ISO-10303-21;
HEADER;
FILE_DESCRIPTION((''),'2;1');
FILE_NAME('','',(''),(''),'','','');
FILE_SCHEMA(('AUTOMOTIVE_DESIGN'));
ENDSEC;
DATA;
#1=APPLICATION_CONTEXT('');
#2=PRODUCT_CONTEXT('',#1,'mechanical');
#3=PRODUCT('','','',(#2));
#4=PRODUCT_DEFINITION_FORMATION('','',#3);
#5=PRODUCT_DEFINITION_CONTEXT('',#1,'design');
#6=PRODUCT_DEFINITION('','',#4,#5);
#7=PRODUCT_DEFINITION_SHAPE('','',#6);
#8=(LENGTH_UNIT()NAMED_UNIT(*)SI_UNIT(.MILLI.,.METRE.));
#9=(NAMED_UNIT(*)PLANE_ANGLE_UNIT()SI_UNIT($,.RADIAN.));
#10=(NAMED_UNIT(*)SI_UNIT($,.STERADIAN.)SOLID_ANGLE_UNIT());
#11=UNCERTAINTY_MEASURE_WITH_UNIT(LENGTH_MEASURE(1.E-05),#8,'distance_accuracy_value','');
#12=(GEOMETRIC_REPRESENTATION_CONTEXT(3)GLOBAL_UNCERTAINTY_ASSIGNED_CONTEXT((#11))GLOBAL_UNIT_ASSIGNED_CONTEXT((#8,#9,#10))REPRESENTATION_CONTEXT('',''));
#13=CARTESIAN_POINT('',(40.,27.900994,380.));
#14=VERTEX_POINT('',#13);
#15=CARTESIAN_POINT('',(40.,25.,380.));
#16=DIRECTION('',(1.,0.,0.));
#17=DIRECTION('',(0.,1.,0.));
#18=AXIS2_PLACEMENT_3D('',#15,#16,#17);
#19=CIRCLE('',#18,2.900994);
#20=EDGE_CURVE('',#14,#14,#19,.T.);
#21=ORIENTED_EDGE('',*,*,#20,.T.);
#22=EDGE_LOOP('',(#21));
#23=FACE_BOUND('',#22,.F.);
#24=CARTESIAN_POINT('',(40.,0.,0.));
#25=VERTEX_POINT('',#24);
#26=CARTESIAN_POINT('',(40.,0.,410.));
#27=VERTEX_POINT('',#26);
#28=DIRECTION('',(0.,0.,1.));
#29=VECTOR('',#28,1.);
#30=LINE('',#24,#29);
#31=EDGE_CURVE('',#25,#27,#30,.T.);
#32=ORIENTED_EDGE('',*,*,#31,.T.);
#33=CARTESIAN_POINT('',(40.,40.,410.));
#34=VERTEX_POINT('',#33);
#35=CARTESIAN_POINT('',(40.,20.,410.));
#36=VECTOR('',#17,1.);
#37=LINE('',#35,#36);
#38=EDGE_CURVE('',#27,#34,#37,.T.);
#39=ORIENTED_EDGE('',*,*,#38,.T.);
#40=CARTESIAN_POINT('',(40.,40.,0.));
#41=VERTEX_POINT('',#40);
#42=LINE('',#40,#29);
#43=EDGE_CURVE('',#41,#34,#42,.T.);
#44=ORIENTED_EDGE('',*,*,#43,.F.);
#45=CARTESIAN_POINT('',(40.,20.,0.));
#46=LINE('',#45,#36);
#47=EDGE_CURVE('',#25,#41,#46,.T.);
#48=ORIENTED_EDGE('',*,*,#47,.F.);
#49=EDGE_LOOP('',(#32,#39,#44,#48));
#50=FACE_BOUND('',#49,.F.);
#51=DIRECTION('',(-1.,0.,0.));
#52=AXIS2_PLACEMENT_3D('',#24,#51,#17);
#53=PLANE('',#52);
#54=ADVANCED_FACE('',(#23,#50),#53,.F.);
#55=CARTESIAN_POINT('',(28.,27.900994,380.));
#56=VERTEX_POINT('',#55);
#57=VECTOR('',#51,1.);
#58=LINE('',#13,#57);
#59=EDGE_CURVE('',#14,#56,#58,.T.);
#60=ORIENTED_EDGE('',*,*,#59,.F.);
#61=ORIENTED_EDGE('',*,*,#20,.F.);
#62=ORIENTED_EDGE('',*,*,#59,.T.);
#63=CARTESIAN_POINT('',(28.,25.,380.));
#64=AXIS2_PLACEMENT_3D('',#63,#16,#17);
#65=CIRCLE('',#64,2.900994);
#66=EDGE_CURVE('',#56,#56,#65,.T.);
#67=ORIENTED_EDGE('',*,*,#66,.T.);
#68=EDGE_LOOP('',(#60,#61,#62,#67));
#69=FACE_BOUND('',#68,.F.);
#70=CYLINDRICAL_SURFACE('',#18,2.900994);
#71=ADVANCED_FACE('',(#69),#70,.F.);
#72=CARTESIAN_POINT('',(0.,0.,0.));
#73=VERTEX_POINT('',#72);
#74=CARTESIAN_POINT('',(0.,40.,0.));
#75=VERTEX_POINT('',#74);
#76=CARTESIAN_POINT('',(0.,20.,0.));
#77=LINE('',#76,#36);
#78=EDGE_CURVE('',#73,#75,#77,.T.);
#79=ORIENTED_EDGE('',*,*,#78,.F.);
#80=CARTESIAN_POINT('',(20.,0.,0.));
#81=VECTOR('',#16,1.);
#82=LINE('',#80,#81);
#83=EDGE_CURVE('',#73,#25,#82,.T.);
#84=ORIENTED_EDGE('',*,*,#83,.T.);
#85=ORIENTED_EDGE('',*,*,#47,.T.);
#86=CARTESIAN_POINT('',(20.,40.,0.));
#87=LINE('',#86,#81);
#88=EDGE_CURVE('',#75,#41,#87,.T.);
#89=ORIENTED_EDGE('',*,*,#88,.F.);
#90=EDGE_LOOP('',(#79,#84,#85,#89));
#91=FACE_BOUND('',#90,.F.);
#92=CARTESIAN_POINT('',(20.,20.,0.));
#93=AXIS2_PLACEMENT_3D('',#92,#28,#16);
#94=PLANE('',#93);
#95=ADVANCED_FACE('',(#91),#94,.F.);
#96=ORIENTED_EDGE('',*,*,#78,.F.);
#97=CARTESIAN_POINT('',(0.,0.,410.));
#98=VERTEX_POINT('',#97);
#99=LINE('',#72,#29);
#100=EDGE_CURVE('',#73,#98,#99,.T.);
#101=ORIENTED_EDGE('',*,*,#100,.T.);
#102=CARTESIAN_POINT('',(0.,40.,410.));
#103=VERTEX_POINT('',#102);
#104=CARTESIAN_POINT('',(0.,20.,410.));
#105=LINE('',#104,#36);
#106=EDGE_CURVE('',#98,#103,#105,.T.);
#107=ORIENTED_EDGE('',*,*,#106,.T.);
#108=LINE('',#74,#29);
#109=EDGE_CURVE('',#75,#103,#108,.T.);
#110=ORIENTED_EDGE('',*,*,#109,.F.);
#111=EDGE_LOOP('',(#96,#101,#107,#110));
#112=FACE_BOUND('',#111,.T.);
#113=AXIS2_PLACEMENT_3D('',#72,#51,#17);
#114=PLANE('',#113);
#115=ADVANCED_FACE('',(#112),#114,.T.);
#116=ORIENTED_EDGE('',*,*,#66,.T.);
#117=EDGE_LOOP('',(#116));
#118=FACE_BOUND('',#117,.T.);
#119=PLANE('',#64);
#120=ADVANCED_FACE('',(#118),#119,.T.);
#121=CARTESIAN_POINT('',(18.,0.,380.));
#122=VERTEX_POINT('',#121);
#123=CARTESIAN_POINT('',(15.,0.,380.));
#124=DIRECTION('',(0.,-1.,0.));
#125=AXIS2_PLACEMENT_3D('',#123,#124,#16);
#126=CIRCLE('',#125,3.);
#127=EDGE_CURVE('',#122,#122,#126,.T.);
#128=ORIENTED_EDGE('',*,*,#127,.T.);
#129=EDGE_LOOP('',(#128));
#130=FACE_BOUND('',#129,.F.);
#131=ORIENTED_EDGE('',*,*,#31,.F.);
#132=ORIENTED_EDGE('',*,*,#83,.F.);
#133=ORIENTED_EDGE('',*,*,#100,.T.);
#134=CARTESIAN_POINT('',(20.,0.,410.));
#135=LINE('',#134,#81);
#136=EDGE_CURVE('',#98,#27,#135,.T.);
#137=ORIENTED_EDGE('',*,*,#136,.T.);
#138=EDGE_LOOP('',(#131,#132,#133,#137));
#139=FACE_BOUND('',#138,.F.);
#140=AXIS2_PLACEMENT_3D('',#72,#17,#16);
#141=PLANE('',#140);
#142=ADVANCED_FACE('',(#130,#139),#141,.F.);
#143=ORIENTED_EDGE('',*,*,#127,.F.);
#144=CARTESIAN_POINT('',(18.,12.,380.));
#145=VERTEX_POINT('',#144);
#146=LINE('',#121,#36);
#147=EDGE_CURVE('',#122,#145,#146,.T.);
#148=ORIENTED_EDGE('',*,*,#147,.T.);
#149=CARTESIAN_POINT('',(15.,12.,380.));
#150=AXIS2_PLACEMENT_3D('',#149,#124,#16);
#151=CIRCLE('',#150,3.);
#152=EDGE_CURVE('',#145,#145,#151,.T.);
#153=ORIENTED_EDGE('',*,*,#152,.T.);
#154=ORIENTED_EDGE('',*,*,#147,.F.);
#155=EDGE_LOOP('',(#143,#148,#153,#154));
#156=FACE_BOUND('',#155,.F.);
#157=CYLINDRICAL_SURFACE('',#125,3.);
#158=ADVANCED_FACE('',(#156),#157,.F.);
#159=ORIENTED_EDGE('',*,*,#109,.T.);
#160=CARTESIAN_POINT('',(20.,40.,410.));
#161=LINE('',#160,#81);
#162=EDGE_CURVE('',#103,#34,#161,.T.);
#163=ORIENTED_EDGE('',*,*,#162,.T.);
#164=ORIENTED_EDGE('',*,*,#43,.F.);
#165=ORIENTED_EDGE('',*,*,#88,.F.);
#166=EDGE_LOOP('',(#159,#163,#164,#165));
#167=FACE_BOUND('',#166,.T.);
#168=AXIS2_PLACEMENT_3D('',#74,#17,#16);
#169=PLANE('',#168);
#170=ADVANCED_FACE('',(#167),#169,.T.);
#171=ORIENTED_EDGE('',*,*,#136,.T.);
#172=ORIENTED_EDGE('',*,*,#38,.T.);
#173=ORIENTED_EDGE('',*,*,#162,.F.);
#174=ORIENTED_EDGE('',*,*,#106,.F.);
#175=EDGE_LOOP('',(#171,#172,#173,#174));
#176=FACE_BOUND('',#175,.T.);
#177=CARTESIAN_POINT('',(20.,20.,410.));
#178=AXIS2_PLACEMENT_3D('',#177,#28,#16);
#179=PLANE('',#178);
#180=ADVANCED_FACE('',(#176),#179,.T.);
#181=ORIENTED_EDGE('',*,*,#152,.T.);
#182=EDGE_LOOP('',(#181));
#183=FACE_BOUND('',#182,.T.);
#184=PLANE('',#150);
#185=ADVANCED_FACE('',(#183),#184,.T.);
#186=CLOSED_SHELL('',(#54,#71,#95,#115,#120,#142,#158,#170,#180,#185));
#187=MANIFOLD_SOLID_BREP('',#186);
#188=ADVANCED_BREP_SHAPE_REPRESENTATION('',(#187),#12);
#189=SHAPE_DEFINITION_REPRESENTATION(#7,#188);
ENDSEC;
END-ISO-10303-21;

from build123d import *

# Parameters (mm, degrees)
F0_W     = 40
F0_H     = 40
F1_DEPTH = 410
F2_R     = 3
F3_DEPTH = 12
F4_R     = 2.900994
F5_DEPTH = 12


with BuildPart() as f1:
    # F0 (on Top) → F1 (new body)
    with BuildSketch(Plane.XY):
        with Locations((20, 20)):
            Rectangle(F0_W, F0_H)
    extrude(amount=F1_DEPTH)

    # F2 (on face) → F3 (cut)
    with BuildSketch(Plane.XZ):
        with Locations((15, 380)):
            Circle(F2_R)
    extrude(amount=-F3_DEPTH, mode=Mode.SUBTRACT)

    # F4 (on face) → F5 (cut)
    with BuildSketch(Plane.YZ.offset(40)):
        with Locations((25, 380)):
            Circle(F4_R)
    extrude(amount=-F5_DEPTH, mode=Mode.SUBTRACT)


solid = f1.part
